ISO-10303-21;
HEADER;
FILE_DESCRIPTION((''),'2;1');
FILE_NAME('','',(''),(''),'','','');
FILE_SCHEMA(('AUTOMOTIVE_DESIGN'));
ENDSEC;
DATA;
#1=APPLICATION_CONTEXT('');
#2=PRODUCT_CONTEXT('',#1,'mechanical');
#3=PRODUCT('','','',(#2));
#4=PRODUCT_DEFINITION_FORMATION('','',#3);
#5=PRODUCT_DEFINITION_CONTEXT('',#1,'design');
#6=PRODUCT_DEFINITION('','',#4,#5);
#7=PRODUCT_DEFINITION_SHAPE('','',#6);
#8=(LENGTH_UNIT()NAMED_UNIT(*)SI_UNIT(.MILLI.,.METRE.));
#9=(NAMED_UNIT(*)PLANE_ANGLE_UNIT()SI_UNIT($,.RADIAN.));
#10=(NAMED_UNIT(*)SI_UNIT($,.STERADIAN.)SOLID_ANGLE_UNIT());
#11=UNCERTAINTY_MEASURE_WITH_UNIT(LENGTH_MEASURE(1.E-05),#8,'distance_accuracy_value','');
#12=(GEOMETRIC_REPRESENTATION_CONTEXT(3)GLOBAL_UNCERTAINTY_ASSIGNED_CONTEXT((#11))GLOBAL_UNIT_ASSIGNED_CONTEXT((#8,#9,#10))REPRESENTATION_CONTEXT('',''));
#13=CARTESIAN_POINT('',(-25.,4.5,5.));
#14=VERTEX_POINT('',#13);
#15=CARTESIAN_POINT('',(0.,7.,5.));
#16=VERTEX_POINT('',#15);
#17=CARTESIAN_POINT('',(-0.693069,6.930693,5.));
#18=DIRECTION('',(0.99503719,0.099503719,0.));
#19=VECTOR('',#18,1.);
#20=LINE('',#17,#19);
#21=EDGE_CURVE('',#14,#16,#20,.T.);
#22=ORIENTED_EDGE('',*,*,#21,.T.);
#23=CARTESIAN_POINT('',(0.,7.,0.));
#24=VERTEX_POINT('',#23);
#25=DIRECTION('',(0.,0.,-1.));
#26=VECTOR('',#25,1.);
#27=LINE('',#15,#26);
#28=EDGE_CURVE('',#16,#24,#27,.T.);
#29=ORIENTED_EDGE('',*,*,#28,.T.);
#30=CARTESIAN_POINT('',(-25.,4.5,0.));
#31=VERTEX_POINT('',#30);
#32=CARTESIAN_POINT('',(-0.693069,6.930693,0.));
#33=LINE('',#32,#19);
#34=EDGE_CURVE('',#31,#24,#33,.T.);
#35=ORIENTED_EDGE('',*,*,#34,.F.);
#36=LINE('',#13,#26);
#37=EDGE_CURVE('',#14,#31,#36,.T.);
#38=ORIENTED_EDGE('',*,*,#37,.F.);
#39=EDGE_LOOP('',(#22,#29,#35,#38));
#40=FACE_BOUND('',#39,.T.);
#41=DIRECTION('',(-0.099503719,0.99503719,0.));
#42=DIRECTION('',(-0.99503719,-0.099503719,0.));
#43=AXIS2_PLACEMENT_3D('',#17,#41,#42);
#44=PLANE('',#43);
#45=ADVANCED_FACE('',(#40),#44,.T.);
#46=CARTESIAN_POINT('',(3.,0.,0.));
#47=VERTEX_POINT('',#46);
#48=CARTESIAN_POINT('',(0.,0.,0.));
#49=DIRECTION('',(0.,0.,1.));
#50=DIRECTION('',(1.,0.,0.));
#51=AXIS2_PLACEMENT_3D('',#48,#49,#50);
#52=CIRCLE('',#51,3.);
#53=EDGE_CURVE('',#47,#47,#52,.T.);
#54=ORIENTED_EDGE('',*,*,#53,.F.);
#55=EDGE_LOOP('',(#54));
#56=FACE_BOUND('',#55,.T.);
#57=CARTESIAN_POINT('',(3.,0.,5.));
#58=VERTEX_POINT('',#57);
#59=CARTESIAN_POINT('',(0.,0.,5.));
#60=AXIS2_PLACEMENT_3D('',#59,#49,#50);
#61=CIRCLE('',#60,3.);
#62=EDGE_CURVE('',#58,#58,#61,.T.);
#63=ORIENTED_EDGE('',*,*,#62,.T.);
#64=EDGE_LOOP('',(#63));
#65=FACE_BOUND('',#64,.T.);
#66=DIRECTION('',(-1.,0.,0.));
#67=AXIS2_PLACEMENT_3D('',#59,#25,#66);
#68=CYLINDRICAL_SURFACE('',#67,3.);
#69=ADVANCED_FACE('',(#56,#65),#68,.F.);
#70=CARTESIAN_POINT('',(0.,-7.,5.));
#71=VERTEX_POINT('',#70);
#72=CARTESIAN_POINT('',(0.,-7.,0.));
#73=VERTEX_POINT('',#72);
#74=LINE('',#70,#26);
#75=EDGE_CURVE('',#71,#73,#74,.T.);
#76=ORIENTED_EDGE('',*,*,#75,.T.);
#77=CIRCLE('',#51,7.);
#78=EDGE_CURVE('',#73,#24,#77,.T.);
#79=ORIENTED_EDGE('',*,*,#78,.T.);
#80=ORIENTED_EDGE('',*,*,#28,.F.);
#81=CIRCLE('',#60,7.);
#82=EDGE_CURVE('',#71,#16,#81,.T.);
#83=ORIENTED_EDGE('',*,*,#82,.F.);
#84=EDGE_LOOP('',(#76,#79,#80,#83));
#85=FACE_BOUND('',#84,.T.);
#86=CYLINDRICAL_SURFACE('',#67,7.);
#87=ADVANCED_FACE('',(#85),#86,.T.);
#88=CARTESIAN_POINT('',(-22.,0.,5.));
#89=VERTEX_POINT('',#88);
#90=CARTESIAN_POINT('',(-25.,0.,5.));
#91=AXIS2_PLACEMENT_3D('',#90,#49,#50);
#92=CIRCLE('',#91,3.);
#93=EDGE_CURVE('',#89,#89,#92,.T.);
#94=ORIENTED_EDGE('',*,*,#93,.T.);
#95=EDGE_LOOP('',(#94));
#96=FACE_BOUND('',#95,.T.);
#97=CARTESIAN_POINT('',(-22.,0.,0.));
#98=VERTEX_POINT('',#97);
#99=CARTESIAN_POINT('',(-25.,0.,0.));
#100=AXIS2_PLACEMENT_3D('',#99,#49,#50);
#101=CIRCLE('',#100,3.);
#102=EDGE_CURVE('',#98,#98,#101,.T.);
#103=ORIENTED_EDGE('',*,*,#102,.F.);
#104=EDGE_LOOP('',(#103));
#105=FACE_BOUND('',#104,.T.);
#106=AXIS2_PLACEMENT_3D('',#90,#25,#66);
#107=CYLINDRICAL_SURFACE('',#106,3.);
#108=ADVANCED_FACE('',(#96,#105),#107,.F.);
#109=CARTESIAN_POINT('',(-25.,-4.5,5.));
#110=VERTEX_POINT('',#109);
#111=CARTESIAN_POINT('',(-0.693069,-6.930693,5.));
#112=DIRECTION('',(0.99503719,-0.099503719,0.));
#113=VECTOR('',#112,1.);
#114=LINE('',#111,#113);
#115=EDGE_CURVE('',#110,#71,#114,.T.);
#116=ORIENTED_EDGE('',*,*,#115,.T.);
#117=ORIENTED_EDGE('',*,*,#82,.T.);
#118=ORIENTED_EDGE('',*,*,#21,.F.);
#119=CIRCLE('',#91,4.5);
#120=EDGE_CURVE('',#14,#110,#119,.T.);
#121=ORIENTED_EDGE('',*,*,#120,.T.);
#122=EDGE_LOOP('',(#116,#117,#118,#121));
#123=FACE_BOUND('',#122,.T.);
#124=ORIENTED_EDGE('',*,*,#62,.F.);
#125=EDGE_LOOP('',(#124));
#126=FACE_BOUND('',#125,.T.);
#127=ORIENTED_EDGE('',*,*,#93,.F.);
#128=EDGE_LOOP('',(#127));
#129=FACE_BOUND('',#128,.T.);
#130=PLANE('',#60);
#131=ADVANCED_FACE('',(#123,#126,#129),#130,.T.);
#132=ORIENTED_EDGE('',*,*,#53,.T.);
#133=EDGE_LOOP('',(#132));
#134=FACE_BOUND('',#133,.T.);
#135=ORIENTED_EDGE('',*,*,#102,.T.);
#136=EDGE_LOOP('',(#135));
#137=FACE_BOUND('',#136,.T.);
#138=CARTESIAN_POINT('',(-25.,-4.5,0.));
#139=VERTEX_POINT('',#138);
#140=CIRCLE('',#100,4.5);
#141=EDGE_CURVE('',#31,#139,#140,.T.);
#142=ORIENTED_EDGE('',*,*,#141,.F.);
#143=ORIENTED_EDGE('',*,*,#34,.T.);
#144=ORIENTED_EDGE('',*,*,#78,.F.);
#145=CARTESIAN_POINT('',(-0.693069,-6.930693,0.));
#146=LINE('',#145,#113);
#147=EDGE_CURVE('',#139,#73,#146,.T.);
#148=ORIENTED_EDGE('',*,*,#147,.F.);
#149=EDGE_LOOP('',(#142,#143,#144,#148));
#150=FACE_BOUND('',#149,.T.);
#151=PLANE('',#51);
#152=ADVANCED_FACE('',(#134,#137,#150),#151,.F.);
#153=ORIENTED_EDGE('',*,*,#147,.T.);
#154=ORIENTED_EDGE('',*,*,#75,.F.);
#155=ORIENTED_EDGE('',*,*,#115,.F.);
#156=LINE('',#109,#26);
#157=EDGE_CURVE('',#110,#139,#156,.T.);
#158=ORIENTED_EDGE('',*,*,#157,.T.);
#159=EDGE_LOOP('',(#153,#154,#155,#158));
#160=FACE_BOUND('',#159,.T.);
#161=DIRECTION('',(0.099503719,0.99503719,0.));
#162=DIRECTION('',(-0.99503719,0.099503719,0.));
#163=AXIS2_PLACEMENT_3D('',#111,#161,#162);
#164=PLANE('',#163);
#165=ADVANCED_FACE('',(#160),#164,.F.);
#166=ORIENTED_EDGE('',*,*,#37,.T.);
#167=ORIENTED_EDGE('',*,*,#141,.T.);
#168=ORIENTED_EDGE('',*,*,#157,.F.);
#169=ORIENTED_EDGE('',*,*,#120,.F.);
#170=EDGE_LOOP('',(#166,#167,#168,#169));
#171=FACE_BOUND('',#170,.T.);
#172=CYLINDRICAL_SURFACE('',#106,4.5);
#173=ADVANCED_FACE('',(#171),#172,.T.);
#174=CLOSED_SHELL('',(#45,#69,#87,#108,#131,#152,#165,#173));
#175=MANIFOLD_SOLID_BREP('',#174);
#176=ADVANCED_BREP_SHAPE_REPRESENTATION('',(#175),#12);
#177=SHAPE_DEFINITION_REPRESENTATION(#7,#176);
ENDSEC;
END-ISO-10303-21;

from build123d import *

# Parameters (mm, degrees)
SKETCH1_R           = 3
SKETCH1_R_2         = 4.5
BOSS_EXTRUDE1_DEPTH = 5


with BuildPart() as part:
    # Sketch1 → Boss-Extrude1 (new body)
    # profile 1 of 3: a face of its own
    with BuildSketch(Plane.XY):
        with BuildLine():
            Line((-1.386138614, 6.861386139), (-25, 4.5))
            ThreePointArc((-25, 4.5), (-21.818019485, 3.181980515), (-20.5, 0))
            ThreePointArc((-20.5, 0), (-21.818019485, -3.181980515), (-25, -4.5))
            Line((-25, -4.5), (-1.386138614, -6.861386139))
            ThreePointArc((-1.386138614, -6.861386139), (-7, 0), (-1.386138614, 6.861386139))
        make_face()
    # profile 2 of 3: a face of its own
    with BuildSketch(Plane.XY):
        with BuildLine():
            Line((0, 7), (-1.386138614, 6.861386139))
            ThreePointArc((-1.386138614, 6.861386139), (-7, 0), (-1.386138614, -6.861386139))
            Line((-1.386138614, -6.861386139), (0, -7))
            ThreePointArc((0, -7), (4.949747468, -4.949747468), (7, 0))
            ThreePointArc((7, 0), (4.949747468, 4.949747468), (0, 7))
        make_face()
        Circle(SKETCH1_R, mode=Mode.SUBTRACT)
    # profile 3 of 3: a face of its own
    with BuildSketch(Plane.XY):
        with Locations((-25, 0)):
            Circle(SKETCH1_R_2)
        with Locations((-25, 0)):
            Circle(SKETCH1_R, mode=Mode.SUBTRACT)
    extrude(amount=BOSS_EXTRUDE1_DEPTH)


solid = part.part
